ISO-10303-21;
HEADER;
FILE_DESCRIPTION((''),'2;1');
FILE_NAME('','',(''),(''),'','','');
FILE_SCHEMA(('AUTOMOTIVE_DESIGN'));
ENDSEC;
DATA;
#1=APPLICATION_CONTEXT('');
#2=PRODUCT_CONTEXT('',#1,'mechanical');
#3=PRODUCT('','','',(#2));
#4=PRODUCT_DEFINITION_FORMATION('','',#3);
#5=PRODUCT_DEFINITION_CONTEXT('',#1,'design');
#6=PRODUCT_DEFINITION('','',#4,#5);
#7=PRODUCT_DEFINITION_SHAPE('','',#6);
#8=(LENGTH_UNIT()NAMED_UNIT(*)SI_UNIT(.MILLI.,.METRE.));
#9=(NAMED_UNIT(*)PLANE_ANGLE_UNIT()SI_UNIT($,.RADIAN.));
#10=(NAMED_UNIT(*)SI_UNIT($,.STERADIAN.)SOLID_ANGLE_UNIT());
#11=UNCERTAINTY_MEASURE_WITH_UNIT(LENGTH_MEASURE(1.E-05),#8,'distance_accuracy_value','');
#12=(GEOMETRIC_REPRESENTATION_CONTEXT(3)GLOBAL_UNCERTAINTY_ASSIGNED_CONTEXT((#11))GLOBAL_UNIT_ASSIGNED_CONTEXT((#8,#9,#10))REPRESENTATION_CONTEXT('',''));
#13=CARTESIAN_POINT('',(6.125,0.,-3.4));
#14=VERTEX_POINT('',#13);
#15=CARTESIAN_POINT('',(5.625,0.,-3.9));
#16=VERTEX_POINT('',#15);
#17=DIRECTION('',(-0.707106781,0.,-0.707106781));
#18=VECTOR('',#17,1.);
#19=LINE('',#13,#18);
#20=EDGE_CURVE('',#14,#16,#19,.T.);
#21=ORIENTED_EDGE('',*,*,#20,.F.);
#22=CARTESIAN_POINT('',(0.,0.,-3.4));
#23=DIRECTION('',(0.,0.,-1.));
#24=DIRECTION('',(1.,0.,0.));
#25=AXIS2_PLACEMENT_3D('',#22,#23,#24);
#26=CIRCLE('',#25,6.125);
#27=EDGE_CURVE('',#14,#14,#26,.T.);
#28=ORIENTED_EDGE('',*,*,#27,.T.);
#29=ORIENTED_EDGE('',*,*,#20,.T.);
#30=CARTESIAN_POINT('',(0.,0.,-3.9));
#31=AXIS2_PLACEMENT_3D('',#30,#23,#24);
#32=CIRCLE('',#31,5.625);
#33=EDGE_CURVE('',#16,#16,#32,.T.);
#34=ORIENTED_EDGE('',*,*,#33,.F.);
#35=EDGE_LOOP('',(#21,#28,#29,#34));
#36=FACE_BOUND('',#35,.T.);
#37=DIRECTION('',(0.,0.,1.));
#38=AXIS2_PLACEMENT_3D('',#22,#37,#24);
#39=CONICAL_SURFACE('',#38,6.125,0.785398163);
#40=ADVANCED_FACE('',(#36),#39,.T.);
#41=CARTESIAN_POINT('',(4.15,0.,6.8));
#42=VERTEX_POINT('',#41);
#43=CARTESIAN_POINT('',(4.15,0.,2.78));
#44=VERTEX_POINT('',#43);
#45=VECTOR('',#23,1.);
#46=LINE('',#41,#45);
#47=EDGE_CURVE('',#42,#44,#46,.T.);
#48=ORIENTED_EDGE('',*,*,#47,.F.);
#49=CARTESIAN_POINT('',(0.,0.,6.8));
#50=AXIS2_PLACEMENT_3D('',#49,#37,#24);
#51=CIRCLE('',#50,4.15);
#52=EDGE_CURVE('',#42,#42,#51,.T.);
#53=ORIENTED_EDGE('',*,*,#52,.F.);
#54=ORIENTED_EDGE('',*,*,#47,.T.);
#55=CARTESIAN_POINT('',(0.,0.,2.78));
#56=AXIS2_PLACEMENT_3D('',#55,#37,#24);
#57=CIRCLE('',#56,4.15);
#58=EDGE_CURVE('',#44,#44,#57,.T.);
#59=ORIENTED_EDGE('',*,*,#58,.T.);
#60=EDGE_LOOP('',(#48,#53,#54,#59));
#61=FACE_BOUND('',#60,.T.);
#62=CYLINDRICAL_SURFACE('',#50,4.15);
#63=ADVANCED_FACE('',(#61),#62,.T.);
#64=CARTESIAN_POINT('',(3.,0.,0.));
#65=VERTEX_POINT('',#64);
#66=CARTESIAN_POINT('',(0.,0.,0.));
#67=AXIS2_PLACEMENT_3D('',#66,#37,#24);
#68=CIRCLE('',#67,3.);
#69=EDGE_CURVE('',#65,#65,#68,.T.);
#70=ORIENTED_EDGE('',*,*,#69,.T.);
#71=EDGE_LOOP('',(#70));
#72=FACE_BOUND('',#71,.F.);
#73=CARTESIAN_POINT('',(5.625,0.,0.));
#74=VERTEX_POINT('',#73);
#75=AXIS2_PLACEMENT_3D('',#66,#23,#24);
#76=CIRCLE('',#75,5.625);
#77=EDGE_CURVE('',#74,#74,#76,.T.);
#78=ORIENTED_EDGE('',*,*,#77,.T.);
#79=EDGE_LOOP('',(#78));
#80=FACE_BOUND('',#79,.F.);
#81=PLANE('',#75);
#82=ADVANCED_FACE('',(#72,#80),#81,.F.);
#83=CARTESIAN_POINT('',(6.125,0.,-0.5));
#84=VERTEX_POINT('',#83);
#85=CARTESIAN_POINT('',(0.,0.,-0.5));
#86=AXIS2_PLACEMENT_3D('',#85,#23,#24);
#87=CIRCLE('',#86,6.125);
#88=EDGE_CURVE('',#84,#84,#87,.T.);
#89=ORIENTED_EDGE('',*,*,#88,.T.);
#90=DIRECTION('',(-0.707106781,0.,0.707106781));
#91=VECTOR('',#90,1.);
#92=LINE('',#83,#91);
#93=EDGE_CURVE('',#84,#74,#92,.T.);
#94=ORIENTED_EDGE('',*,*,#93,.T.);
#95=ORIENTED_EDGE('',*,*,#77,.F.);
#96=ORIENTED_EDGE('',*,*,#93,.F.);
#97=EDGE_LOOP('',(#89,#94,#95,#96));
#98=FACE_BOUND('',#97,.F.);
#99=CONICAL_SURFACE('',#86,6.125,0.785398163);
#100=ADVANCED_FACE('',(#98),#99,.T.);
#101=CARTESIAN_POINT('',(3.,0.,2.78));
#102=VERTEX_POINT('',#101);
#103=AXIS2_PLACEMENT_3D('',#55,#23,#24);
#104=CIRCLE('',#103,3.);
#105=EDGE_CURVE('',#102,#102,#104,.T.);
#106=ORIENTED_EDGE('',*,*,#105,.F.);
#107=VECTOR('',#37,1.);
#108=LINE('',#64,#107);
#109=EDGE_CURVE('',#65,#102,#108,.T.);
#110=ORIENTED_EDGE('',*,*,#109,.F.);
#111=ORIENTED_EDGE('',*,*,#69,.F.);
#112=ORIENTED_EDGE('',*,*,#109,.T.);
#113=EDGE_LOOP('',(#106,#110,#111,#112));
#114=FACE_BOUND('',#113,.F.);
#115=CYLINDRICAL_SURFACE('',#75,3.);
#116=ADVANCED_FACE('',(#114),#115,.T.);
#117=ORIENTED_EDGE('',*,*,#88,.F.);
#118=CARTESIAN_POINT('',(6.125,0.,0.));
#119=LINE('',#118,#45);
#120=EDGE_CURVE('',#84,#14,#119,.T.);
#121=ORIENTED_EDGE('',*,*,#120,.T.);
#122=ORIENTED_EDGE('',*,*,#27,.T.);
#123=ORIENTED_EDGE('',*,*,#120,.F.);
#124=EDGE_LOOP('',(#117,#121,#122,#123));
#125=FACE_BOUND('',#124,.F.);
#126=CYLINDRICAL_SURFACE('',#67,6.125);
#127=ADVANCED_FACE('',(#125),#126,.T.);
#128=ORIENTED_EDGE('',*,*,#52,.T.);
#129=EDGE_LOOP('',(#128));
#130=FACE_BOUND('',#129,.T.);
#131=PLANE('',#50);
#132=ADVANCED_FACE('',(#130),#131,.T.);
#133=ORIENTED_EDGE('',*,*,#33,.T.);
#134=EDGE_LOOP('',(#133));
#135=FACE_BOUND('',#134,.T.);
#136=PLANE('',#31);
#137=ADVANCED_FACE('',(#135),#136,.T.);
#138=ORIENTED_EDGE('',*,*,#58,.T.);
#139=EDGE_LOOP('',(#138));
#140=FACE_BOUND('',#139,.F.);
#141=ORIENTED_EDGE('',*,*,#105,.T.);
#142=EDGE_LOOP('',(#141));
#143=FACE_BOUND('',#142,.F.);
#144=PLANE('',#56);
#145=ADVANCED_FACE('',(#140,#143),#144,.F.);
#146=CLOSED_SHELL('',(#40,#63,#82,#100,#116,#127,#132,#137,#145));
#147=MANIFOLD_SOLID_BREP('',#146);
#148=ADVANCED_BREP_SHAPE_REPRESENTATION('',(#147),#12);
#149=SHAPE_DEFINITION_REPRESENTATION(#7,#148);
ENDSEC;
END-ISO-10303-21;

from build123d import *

# Parameters (mm, degrees)
F0_R     = 3
F1_DEPTH = 6.8
F2_R     = 6.125
F3_DEPTH = 3.9
F4_SIZE  = 0.5
F5_R     = 4.15
F6_DEPTH = 4.02


with BuildPart() as f1:
    # F0 (on Top) → F1 (new body)
    with BuildSketch(Plane.XY):
        Circle(F0_R)
    extrude(amount=F1_DEPTH)

    # F2 (on face) → F3 (join)
    with BuildSketch(Plane(origin=(0, 0, 0), x_dir=(1, 0, 0), z_dir=(0, 0, -1))):
        Circle(F2_R)
    extrude(amount=F3_DEPTH)

    # F4
    f4_edges = [f1.edges().sort_by_distance(p)[0] for p in [
        (-6.125, 0, 0),
        (-6.125, 0, -3.9),
    ]]
    chamfer(f4_edges, length=F4_SIZE)

    # F5 (on face) → F6 (join)
    with BuildSketch(Plane.XY.offset(6.8)):
        Circle(F5_R)
    extrude(amount=-F6_DEPTH)


solid = f1.part
